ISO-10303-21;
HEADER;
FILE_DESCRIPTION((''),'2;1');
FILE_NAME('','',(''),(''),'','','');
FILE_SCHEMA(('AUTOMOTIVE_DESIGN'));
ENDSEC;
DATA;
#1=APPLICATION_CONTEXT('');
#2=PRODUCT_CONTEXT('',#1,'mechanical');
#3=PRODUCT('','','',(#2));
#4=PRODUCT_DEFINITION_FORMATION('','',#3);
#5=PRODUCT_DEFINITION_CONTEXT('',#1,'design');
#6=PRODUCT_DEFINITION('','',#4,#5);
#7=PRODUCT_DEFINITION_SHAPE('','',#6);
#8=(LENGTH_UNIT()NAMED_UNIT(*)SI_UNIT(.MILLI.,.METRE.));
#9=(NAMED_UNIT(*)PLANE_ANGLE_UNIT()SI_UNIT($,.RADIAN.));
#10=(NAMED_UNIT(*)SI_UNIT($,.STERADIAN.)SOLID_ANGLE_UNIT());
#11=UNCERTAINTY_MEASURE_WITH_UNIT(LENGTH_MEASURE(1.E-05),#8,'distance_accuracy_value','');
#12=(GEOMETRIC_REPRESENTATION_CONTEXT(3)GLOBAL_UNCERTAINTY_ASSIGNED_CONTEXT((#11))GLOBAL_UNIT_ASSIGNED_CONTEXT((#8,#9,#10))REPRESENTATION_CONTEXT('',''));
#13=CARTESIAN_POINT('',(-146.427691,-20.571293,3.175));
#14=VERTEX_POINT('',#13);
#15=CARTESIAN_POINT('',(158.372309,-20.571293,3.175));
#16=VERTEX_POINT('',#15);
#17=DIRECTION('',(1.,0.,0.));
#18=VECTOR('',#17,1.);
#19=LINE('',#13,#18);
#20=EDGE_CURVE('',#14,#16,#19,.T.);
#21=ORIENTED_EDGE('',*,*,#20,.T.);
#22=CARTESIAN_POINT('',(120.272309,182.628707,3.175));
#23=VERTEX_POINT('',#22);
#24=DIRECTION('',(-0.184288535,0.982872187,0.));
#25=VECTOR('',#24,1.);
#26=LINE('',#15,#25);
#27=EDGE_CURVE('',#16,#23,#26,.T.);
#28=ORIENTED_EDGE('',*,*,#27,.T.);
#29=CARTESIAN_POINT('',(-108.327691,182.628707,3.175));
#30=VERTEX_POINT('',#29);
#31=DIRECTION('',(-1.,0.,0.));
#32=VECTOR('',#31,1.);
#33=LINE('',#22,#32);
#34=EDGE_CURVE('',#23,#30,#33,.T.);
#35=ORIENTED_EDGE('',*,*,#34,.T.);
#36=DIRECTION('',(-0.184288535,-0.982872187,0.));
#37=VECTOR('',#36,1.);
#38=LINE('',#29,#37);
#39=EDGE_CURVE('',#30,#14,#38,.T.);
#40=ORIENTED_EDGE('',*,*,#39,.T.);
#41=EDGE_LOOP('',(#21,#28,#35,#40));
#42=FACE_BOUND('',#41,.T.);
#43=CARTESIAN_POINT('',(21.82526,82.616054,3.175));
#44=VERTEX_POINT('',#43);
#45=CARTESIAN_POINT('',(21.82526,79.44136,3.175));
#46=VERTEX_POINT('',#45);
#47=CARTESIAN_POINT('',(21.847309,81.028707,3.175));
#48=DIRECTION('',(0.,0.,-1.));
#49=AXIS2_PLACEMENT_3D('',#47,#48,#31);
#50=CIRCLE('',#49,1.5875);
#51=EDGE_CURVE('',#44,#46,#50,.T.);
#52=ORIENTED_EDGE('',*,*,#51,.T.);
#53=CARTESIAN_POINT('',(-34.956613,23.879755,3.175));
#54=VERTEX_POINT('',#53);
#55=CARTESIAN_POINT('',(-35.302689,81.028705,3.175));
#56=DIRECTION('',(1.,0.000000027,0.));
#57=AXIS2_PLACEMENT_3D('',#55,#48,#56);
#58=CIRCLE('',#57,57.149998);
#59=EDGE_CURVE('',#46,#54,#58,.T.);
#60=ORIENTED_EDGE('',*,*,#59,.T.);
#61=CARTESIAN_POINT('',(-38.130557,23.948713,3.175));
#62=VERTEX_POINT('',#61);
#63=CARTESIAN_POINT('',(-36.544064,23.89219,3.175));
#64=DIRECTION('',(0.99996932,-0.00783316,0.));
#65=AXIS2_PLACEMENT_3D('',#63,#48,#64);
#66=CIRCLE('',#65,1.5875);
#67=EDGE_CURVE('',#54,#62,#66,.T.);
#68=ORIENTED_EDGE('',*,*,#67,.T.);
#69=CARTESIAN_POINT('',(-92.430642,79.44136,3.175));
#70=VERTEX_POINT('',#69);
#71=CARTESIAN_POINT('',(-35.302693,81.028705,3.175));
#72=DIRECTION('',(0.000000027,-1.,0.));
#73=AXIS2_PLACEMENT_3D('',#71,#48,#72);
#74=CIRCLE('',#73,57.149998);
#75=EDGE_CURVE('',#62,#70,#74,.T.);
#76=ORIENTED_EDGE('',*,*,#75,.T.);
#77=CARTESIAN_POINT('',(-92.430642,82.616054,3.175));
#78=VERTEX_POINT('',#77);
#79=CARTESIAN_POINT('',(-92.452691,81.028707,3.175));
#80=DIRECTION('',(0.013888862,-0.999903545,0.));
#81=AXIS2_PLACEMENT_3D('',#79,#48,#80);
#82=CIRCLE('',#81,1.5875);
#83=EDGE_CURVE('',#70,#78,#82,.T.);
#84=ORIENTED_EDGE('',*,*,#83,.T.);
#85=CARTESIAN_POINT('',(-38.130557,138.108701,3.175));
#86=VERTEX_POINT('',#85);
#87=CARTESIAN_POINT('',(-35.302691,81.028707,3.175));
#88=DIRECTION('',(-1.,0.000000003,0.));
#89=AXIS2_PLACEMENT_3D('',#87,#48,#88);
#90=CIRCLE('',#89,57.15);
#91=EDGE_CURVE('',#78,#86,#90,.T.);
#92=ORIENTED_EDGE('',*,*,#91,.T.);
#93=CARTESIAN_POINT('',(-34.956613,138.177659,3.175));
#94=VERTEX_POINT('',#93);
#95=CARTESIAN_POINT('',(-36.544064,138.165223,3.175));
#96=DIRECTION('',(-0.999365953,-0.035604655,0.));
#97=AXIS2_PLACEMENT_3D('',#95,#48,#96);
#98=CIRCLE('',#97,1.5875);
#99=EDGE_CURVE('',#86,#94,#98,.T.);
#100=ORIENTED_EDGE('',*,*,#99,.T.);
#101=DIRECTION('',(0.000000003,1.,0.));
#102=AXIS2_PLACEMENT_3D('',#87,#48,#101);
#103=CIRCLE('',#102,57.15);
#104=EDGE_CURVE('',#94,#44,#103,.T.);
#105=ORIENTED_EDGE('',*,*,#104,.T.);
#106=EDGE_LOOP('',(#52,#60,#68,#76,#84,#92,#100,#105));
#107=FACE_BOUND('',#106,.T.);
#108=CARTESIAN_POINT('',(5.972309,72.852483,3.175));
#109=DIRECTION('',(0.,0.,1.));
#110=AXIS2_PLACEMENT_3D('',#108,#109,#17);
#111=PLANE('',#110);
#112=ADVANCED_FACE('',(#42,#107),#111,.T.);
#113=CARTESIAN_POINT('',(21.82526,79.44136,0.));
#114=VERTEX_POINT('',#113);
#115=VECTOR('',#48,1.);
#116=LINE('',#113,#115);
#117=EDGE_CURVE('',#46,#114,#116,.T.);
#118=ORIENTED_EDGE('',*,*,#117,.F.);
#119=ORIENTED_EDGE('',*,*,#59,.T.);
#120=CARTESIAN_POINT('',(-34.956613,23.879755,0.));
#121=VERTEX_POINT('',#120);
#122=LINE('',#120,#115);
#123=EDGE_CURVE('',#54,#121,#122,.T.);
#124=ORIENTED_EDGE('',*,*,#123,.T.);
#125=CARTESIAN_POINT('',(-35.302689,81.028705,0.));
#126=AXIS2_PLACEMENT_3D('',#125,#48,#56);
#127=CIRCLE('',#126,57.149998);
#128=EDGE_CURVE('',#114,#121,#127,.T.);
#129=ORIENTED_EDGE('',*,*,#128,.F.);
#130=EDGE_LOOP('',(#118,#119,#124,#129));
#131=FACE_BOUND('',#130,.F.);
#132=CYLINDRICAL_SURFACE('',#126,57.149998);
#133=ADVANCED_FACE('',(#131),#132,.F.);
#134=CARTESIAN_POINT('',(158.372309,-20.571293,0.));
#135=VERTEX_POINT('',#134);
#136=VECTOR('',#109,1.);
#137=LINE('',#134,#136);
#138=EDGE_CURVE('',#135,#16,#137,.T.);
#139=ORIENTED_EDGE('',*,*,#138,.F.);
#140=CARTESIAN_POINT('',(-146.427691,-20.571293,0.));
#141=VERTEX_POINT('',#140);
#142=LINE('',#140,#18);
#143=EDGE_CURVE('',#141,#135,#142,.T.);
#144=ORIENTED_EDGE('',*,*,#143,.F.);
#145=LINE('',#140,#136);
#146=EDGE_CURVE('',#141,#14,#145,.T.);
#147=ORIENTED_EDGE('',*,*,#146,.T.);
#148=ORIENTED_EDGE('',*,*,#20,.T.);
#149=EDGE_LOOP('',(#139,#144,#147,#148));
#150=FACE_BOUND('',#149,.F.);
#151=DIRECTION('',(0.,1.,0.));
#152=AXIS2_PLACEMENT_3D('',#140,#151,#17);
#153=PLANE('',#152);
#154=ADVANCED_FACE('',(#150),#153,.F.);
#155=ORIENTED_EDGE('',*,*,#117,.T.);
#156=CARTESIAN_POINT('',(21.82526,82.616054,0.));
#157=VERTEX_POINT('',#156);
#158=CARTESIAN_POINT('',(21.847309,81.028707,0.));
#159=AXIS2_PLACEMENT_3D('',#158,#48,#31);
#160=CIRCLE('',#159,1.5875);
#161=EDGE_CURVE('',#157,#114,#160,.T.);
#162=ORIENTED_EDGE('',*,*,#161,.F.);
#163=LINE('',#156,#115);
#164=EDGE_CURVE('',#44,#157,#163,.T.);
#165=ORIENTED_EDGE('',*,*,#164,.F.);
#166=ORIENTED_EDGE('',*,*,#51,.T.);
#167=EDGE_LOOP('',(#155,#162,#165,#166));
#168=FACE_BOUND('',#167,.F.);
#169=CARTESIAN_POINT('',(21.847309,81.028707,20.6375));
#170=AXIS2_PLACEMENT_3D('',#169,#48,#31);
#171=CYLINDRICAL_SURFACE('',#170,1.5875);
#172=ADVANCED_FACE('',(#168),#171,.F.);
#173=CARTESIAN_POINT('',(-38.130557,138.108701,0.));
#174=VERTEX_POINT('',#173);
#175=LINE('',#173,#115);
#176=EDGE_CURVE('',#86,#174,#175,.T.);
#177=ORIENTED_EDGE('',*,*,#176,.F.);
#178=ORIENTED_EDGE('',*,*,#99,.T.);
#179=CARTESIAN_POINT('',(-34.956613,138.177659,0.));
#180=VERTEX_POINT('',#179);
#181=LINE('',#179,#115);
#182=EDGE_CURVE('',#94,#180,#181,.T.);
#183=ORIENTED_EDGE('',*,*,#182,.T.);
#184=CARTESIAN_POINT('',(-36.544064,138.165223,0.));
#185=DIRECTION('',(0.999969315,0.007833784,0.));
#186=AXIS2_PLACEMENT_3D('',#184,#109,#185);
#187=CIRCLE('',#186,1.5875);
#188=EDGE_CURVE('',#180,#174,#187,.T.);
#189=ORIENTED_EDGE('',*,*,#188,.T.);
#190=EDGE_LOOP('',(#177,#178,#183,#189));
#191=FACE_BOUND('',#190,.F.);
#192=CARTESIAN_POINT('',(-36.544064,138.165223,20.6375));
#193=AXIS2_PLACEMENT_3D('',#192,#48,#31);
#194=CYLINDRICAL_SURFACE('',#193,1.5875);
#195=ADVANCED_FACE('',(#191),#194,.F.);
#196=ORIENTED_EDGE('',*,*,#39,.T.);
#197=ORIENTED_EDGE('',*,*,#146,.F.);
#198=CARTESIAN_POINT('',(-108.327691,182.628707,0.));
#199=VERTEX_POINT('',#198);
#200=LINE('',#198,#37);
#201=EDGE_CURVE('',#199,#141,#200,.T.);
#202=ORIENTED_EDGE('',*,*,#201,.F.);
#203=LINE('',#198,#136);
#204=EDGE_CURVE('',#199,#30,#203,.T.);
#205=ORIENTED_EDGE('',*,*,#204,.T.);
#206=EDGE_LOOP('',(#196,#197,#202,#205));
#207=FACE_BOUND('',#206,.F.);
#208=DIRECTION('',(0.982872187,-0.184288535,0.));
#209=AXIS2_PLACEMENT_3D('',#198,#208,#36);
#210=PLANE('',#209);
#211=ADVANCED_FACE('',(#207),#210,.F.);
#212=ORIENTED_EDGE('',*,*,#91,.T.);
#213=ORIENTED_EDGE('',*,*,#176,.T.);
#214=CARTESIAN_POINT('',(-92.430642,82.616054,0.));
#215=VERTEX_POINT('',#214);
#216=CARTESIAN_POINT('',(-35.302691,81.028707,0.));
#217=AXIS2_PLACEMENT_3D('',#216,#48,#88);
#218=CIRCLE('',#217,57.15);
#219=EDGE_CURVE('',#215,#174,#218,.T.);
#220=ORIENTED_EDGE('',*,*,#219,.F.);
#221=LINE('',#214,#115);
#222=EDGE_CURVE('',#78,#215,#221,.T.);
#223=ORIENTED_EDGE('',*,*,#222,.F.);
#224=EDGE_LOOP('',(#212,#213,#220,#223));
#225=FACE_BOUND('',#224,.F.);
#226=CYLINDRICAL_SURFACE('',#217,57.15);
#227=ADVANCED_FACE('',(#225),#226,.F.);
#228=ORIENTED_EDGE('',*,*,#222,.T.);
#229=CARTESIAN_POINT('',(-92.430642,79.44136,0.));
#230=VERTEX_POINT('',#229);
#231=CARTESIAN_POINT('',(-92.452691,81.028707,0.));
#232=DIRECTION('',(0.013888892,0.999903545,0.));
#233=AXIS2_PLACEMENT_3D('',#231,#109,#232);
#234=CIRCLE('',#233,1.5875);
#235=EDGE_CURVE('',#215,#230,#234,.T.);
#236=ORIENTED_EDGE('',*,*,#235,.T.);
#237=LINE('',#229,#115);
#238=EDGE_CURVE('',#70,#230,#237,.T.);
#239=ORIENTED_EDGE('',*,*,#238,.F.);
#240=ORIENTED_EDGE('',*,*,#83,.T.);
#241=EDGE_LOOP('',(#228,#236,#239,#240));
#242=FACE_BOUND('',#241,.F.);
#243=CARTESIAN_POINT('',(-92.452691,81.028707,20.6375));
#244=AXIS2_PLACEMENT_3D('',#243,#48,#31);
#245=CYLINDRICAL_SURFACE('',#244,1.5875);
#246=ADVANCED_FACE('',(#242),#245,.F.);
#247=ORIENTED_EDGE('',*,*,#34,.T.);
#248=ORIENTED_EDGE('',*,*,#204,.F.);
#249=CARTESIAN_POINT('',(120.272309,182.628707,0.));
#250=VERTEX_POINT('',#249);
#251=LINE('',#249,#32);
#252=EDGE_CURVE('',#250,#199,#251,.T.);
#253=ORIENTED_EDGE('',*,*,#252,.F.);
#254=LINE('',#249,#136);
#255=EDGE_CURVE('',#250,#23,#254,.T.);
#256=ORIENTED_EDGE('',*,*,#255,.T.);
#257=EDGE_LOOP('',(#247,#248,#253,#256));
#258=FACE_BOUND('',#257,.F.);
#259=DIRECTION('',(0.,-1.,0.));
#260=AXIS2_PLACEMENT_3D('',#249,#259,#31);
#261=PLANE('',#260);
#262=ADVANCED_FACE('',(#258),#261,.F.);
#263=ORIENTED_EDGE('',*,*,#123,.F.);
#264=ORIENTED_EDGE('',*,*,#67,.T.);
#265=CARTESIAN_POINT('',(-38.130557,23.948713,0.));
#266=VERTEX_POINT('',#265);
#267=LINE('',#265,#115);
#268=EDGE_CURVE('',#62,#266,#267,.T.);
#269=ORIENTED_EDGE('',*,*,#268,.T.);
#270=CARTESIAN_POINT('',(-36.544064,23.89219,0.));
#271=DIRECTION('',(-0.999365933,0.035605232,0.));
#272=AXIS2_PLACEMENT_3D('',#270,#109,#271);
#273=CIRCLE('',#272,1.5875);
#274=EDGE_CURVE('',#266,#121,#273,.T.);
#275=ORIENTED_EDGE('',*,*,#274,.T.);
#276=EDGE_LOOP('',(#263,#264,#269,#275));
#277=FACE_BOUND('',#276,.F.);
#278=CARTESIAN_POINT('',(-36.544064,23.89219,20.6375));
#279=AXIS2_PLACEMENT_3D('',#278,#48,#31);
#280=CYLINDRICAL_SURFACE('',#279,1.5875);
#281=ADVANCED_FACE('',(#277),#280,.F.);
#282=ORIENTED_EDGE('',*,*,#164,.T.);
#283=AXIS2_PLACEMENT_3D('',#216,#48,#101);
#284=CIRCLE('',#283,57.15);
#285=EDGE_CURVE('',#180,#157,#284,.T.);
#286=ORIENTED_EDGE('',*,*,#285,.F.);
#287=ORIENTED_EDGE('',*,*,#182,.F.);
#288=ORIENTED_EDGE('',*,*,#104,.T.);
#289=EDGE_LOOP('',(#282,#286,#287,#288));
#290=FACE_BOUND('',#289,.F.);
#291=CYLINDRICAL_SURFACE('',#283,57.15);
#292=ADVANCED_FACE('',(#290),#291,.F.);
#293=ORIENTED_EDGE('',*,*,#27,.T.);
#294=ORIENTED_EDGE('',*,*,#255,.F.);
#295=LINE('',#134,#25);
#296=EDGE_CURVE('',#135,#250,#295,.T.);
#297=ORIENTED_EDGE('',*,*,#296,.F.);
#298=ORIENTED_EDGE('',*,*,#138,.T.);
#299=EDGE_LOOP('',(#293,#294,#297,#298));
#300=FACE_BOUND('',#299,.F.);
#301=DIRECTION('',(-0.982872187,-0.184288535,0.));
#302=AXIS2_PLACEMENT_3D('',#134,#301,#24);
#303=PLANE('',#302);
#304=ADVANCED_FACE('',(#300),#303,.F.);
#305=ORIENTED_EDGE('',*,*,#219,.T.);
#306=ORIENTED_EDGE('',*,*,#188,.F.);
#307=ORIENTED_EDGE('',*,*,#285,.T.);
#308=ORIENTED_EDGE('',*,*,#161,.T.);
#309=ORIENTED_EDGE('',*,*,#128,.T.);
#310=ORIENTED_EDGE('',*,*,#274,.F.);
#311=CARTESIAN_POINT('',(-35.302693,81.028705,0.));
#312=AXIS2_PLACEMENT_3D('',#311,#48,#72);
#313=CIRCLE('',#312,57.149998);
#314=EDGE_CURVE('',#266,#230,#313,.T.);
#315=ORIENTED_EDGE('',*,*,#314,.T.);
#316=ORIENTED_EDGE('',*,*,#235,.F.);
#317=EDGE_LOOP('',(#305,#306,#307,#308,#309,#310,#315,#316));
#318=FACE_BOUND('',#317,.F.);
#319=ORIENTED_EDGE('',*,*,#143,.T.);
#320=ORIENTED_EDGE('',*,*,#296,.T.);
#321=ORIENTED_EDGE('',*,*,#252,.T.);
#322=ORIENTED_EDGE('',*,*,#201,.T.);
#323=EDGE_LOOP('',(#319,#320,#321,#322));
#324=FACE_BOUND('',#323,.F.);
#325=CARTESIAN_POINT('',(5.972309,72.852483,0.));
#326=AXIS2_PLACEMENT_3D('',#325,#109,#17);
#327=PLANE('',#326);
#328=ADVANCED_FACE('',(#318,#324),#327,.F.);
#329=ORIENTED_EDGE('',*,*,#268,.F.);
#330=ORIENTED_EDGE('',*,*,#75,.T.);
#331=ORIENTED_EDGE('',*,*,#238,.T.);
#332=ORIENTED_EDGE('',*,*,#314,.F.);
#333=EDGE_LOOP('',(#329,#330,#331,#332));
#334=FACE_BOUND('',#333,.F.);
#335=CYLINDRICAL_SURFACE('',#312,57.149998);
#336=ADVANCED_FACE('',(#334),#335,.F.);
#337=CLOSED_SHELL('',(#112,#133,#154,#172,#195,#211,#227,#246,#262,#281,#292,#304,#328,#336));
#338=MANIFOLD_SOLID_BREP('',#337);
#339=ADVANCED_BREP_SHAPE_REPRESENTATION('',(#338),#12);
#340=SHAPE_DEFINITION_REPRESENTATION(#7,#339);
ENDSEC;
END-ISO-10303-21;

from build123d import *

# Parameters (mm, degrees)
F1_DEPTH = 3.175
F3_D     = 3.175
F3_DEPTH = 17.4625


with BuildPart() as f1:
    # F0 (on Top) → F1 (new body)
    with BuildSketch(Plane.XY):
        Polygon((-108.327691, 182.628707), (-146.427691, -20.571293), (158.372309, -20.571293), (120.272309, 182.628707), (5.972309, 182.628707), align=None)
        with BuildLine():
            ThreePointArc((-35.302691, 138.178707), (5.108462, 121.439859), (21.847309, 81.028707))
            ThreePointArc((21.847309, 81.028707), (5.108462, 40.617554), (-35.302691, 23.878707))
            ThreePointArc((-35.302691, 23.878707), (-75.713844, 40.617554), (-92.452691, 81.028707))
            ThreePointArc((-92.452691, 81.028707), (-75.713844, 121.439859), (-35.302691, 138.178707))
        make_face(mode=Mode.SUBTRACT)
    extrude(amount=F1_DEPTH)

    # F3
    with Locations(Plane.XY.offset(3.175)):
        with Locations((-36.544064, 138.165223), (21.847309, 81.028707), (-36.544064, 23.89219), (-92.452691, 81.028707)):
            Hole(F3_D / 2, depth=F3_DEPTH)


solid = f1.part
